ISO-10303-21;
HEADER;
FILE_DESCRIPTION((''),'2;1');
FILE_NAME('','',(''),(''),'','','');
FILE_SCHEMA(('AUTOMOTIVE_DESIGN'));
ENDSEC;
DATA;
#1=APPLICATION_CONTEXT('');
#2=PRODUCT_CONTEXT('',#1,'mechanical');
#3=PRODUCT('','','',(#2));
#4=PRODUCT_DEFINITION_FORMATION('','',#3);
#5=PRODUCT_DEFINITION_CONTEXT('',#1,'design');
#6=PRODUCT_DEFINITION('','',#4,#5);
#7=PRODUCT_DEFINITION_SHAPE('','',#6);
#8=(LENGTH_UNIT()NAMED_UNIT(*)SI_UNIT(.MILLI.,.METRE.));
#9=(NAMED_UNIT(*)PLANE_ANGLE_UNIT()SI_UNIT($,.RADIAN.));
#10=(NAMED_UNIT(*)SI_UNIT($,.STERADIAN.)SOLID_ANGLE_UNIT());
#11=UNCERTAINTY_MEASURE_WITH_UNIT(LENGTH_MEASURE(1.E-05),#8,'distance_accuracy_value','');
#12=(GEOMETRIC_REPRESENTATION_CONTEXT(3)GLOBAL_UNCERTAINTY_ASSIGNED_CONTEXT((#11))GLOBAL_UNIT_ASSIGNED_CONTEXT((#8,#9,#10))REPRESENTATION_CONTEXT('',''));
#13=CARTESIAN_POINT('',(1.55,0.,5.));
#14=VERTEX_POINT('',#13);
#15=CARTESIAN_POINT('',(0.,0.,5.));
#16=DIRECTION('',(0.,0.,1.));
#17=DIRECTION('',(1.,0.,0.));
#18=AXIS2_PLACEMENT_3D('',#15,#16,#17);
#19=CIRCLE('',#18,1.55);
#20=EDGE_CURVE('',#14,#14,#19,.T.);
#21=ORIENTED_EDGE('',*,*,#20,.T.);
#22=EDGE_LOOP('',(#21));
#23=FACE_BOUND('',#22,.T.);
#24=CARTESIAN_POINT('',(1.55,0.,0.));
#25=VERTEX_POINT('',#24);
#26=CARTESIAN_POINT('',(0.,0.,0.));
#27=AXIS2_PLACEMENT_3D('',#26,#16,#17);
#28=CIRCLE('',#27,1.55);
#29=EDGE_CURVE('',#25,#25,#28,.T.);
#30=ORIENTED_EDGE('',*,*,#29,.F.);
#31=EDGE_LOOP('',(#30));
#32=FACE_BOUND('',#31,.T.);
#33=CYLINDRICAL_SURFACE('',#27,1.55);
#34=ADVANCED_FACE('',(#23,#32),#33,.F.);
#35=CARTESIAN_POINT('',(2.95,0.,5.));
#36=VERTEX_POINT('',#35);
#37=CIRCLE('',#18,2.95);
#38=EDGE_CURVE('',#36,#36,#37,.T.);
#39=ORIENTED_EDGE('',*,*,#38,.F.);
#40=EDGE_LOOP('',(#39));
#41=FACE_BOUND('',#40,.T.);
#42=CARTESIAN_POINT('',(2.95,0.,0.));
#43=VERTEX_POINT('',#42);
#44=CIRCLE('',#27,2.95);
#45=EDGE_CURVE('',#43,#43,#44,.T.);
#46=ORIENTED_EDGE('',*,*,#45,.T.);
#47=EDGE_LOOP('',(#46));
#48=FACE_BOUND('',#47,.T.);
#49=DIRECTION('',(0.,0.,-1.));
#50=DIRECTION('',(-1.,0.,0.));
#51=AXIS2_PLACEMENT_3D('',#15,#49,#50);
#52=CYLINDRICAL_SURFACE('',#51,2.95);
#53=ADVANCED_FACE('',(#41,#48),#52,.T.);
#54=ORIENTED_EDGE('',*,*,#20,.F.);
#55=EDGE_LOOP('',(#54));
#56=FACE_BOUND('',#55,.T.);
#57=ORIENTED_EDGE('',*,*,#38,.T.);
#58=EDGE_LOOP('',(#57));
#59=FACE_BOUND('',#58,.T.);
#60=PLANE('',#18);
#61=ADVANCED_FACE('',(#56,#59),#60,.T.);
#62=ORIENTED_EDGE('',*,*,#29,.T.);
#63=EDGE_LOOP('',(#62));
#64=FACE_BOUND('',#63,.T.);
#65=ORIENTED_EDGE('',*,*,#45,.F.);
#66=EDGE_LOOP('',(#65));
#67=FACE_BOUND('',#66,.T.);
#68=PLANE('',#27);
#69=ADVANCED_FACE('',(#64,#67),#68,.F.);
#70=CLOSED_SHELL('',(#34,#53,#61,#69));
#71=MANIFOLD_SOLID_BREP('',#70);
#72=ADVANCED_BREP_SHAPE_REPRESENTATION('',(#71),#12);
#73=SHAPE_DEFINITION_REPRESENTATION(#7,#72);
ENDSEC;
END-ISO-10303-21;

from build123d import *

# Parameters (mm, degrees)
SKETCH1_R           = 2.95
BOSS_EXTRUDE1_DEPTH = 5
SKETCH4_R           = 1.55
CUT_EXTRUDE1_DEPTH  = 6


with BuildPart() as part:
    # Sketch1 → Boss-Extrude1 (new body)
    with BuildSketch(Plane.XY):
        Circle(SKETCH1_R)
    extrude(amount=BOSS_EXTRUDE1_DEPTH)

    # Sketch4 → Cut-Extrude1 (cut, through all)
    with BuildSketch(Plane.XY.offset(5)):
        Circle(SKETCH4_R)
    extrude(amount=-CUT_EXTRUDE1_DEPTH, mode=Mode.SUBTRACT)


solid = part.part
